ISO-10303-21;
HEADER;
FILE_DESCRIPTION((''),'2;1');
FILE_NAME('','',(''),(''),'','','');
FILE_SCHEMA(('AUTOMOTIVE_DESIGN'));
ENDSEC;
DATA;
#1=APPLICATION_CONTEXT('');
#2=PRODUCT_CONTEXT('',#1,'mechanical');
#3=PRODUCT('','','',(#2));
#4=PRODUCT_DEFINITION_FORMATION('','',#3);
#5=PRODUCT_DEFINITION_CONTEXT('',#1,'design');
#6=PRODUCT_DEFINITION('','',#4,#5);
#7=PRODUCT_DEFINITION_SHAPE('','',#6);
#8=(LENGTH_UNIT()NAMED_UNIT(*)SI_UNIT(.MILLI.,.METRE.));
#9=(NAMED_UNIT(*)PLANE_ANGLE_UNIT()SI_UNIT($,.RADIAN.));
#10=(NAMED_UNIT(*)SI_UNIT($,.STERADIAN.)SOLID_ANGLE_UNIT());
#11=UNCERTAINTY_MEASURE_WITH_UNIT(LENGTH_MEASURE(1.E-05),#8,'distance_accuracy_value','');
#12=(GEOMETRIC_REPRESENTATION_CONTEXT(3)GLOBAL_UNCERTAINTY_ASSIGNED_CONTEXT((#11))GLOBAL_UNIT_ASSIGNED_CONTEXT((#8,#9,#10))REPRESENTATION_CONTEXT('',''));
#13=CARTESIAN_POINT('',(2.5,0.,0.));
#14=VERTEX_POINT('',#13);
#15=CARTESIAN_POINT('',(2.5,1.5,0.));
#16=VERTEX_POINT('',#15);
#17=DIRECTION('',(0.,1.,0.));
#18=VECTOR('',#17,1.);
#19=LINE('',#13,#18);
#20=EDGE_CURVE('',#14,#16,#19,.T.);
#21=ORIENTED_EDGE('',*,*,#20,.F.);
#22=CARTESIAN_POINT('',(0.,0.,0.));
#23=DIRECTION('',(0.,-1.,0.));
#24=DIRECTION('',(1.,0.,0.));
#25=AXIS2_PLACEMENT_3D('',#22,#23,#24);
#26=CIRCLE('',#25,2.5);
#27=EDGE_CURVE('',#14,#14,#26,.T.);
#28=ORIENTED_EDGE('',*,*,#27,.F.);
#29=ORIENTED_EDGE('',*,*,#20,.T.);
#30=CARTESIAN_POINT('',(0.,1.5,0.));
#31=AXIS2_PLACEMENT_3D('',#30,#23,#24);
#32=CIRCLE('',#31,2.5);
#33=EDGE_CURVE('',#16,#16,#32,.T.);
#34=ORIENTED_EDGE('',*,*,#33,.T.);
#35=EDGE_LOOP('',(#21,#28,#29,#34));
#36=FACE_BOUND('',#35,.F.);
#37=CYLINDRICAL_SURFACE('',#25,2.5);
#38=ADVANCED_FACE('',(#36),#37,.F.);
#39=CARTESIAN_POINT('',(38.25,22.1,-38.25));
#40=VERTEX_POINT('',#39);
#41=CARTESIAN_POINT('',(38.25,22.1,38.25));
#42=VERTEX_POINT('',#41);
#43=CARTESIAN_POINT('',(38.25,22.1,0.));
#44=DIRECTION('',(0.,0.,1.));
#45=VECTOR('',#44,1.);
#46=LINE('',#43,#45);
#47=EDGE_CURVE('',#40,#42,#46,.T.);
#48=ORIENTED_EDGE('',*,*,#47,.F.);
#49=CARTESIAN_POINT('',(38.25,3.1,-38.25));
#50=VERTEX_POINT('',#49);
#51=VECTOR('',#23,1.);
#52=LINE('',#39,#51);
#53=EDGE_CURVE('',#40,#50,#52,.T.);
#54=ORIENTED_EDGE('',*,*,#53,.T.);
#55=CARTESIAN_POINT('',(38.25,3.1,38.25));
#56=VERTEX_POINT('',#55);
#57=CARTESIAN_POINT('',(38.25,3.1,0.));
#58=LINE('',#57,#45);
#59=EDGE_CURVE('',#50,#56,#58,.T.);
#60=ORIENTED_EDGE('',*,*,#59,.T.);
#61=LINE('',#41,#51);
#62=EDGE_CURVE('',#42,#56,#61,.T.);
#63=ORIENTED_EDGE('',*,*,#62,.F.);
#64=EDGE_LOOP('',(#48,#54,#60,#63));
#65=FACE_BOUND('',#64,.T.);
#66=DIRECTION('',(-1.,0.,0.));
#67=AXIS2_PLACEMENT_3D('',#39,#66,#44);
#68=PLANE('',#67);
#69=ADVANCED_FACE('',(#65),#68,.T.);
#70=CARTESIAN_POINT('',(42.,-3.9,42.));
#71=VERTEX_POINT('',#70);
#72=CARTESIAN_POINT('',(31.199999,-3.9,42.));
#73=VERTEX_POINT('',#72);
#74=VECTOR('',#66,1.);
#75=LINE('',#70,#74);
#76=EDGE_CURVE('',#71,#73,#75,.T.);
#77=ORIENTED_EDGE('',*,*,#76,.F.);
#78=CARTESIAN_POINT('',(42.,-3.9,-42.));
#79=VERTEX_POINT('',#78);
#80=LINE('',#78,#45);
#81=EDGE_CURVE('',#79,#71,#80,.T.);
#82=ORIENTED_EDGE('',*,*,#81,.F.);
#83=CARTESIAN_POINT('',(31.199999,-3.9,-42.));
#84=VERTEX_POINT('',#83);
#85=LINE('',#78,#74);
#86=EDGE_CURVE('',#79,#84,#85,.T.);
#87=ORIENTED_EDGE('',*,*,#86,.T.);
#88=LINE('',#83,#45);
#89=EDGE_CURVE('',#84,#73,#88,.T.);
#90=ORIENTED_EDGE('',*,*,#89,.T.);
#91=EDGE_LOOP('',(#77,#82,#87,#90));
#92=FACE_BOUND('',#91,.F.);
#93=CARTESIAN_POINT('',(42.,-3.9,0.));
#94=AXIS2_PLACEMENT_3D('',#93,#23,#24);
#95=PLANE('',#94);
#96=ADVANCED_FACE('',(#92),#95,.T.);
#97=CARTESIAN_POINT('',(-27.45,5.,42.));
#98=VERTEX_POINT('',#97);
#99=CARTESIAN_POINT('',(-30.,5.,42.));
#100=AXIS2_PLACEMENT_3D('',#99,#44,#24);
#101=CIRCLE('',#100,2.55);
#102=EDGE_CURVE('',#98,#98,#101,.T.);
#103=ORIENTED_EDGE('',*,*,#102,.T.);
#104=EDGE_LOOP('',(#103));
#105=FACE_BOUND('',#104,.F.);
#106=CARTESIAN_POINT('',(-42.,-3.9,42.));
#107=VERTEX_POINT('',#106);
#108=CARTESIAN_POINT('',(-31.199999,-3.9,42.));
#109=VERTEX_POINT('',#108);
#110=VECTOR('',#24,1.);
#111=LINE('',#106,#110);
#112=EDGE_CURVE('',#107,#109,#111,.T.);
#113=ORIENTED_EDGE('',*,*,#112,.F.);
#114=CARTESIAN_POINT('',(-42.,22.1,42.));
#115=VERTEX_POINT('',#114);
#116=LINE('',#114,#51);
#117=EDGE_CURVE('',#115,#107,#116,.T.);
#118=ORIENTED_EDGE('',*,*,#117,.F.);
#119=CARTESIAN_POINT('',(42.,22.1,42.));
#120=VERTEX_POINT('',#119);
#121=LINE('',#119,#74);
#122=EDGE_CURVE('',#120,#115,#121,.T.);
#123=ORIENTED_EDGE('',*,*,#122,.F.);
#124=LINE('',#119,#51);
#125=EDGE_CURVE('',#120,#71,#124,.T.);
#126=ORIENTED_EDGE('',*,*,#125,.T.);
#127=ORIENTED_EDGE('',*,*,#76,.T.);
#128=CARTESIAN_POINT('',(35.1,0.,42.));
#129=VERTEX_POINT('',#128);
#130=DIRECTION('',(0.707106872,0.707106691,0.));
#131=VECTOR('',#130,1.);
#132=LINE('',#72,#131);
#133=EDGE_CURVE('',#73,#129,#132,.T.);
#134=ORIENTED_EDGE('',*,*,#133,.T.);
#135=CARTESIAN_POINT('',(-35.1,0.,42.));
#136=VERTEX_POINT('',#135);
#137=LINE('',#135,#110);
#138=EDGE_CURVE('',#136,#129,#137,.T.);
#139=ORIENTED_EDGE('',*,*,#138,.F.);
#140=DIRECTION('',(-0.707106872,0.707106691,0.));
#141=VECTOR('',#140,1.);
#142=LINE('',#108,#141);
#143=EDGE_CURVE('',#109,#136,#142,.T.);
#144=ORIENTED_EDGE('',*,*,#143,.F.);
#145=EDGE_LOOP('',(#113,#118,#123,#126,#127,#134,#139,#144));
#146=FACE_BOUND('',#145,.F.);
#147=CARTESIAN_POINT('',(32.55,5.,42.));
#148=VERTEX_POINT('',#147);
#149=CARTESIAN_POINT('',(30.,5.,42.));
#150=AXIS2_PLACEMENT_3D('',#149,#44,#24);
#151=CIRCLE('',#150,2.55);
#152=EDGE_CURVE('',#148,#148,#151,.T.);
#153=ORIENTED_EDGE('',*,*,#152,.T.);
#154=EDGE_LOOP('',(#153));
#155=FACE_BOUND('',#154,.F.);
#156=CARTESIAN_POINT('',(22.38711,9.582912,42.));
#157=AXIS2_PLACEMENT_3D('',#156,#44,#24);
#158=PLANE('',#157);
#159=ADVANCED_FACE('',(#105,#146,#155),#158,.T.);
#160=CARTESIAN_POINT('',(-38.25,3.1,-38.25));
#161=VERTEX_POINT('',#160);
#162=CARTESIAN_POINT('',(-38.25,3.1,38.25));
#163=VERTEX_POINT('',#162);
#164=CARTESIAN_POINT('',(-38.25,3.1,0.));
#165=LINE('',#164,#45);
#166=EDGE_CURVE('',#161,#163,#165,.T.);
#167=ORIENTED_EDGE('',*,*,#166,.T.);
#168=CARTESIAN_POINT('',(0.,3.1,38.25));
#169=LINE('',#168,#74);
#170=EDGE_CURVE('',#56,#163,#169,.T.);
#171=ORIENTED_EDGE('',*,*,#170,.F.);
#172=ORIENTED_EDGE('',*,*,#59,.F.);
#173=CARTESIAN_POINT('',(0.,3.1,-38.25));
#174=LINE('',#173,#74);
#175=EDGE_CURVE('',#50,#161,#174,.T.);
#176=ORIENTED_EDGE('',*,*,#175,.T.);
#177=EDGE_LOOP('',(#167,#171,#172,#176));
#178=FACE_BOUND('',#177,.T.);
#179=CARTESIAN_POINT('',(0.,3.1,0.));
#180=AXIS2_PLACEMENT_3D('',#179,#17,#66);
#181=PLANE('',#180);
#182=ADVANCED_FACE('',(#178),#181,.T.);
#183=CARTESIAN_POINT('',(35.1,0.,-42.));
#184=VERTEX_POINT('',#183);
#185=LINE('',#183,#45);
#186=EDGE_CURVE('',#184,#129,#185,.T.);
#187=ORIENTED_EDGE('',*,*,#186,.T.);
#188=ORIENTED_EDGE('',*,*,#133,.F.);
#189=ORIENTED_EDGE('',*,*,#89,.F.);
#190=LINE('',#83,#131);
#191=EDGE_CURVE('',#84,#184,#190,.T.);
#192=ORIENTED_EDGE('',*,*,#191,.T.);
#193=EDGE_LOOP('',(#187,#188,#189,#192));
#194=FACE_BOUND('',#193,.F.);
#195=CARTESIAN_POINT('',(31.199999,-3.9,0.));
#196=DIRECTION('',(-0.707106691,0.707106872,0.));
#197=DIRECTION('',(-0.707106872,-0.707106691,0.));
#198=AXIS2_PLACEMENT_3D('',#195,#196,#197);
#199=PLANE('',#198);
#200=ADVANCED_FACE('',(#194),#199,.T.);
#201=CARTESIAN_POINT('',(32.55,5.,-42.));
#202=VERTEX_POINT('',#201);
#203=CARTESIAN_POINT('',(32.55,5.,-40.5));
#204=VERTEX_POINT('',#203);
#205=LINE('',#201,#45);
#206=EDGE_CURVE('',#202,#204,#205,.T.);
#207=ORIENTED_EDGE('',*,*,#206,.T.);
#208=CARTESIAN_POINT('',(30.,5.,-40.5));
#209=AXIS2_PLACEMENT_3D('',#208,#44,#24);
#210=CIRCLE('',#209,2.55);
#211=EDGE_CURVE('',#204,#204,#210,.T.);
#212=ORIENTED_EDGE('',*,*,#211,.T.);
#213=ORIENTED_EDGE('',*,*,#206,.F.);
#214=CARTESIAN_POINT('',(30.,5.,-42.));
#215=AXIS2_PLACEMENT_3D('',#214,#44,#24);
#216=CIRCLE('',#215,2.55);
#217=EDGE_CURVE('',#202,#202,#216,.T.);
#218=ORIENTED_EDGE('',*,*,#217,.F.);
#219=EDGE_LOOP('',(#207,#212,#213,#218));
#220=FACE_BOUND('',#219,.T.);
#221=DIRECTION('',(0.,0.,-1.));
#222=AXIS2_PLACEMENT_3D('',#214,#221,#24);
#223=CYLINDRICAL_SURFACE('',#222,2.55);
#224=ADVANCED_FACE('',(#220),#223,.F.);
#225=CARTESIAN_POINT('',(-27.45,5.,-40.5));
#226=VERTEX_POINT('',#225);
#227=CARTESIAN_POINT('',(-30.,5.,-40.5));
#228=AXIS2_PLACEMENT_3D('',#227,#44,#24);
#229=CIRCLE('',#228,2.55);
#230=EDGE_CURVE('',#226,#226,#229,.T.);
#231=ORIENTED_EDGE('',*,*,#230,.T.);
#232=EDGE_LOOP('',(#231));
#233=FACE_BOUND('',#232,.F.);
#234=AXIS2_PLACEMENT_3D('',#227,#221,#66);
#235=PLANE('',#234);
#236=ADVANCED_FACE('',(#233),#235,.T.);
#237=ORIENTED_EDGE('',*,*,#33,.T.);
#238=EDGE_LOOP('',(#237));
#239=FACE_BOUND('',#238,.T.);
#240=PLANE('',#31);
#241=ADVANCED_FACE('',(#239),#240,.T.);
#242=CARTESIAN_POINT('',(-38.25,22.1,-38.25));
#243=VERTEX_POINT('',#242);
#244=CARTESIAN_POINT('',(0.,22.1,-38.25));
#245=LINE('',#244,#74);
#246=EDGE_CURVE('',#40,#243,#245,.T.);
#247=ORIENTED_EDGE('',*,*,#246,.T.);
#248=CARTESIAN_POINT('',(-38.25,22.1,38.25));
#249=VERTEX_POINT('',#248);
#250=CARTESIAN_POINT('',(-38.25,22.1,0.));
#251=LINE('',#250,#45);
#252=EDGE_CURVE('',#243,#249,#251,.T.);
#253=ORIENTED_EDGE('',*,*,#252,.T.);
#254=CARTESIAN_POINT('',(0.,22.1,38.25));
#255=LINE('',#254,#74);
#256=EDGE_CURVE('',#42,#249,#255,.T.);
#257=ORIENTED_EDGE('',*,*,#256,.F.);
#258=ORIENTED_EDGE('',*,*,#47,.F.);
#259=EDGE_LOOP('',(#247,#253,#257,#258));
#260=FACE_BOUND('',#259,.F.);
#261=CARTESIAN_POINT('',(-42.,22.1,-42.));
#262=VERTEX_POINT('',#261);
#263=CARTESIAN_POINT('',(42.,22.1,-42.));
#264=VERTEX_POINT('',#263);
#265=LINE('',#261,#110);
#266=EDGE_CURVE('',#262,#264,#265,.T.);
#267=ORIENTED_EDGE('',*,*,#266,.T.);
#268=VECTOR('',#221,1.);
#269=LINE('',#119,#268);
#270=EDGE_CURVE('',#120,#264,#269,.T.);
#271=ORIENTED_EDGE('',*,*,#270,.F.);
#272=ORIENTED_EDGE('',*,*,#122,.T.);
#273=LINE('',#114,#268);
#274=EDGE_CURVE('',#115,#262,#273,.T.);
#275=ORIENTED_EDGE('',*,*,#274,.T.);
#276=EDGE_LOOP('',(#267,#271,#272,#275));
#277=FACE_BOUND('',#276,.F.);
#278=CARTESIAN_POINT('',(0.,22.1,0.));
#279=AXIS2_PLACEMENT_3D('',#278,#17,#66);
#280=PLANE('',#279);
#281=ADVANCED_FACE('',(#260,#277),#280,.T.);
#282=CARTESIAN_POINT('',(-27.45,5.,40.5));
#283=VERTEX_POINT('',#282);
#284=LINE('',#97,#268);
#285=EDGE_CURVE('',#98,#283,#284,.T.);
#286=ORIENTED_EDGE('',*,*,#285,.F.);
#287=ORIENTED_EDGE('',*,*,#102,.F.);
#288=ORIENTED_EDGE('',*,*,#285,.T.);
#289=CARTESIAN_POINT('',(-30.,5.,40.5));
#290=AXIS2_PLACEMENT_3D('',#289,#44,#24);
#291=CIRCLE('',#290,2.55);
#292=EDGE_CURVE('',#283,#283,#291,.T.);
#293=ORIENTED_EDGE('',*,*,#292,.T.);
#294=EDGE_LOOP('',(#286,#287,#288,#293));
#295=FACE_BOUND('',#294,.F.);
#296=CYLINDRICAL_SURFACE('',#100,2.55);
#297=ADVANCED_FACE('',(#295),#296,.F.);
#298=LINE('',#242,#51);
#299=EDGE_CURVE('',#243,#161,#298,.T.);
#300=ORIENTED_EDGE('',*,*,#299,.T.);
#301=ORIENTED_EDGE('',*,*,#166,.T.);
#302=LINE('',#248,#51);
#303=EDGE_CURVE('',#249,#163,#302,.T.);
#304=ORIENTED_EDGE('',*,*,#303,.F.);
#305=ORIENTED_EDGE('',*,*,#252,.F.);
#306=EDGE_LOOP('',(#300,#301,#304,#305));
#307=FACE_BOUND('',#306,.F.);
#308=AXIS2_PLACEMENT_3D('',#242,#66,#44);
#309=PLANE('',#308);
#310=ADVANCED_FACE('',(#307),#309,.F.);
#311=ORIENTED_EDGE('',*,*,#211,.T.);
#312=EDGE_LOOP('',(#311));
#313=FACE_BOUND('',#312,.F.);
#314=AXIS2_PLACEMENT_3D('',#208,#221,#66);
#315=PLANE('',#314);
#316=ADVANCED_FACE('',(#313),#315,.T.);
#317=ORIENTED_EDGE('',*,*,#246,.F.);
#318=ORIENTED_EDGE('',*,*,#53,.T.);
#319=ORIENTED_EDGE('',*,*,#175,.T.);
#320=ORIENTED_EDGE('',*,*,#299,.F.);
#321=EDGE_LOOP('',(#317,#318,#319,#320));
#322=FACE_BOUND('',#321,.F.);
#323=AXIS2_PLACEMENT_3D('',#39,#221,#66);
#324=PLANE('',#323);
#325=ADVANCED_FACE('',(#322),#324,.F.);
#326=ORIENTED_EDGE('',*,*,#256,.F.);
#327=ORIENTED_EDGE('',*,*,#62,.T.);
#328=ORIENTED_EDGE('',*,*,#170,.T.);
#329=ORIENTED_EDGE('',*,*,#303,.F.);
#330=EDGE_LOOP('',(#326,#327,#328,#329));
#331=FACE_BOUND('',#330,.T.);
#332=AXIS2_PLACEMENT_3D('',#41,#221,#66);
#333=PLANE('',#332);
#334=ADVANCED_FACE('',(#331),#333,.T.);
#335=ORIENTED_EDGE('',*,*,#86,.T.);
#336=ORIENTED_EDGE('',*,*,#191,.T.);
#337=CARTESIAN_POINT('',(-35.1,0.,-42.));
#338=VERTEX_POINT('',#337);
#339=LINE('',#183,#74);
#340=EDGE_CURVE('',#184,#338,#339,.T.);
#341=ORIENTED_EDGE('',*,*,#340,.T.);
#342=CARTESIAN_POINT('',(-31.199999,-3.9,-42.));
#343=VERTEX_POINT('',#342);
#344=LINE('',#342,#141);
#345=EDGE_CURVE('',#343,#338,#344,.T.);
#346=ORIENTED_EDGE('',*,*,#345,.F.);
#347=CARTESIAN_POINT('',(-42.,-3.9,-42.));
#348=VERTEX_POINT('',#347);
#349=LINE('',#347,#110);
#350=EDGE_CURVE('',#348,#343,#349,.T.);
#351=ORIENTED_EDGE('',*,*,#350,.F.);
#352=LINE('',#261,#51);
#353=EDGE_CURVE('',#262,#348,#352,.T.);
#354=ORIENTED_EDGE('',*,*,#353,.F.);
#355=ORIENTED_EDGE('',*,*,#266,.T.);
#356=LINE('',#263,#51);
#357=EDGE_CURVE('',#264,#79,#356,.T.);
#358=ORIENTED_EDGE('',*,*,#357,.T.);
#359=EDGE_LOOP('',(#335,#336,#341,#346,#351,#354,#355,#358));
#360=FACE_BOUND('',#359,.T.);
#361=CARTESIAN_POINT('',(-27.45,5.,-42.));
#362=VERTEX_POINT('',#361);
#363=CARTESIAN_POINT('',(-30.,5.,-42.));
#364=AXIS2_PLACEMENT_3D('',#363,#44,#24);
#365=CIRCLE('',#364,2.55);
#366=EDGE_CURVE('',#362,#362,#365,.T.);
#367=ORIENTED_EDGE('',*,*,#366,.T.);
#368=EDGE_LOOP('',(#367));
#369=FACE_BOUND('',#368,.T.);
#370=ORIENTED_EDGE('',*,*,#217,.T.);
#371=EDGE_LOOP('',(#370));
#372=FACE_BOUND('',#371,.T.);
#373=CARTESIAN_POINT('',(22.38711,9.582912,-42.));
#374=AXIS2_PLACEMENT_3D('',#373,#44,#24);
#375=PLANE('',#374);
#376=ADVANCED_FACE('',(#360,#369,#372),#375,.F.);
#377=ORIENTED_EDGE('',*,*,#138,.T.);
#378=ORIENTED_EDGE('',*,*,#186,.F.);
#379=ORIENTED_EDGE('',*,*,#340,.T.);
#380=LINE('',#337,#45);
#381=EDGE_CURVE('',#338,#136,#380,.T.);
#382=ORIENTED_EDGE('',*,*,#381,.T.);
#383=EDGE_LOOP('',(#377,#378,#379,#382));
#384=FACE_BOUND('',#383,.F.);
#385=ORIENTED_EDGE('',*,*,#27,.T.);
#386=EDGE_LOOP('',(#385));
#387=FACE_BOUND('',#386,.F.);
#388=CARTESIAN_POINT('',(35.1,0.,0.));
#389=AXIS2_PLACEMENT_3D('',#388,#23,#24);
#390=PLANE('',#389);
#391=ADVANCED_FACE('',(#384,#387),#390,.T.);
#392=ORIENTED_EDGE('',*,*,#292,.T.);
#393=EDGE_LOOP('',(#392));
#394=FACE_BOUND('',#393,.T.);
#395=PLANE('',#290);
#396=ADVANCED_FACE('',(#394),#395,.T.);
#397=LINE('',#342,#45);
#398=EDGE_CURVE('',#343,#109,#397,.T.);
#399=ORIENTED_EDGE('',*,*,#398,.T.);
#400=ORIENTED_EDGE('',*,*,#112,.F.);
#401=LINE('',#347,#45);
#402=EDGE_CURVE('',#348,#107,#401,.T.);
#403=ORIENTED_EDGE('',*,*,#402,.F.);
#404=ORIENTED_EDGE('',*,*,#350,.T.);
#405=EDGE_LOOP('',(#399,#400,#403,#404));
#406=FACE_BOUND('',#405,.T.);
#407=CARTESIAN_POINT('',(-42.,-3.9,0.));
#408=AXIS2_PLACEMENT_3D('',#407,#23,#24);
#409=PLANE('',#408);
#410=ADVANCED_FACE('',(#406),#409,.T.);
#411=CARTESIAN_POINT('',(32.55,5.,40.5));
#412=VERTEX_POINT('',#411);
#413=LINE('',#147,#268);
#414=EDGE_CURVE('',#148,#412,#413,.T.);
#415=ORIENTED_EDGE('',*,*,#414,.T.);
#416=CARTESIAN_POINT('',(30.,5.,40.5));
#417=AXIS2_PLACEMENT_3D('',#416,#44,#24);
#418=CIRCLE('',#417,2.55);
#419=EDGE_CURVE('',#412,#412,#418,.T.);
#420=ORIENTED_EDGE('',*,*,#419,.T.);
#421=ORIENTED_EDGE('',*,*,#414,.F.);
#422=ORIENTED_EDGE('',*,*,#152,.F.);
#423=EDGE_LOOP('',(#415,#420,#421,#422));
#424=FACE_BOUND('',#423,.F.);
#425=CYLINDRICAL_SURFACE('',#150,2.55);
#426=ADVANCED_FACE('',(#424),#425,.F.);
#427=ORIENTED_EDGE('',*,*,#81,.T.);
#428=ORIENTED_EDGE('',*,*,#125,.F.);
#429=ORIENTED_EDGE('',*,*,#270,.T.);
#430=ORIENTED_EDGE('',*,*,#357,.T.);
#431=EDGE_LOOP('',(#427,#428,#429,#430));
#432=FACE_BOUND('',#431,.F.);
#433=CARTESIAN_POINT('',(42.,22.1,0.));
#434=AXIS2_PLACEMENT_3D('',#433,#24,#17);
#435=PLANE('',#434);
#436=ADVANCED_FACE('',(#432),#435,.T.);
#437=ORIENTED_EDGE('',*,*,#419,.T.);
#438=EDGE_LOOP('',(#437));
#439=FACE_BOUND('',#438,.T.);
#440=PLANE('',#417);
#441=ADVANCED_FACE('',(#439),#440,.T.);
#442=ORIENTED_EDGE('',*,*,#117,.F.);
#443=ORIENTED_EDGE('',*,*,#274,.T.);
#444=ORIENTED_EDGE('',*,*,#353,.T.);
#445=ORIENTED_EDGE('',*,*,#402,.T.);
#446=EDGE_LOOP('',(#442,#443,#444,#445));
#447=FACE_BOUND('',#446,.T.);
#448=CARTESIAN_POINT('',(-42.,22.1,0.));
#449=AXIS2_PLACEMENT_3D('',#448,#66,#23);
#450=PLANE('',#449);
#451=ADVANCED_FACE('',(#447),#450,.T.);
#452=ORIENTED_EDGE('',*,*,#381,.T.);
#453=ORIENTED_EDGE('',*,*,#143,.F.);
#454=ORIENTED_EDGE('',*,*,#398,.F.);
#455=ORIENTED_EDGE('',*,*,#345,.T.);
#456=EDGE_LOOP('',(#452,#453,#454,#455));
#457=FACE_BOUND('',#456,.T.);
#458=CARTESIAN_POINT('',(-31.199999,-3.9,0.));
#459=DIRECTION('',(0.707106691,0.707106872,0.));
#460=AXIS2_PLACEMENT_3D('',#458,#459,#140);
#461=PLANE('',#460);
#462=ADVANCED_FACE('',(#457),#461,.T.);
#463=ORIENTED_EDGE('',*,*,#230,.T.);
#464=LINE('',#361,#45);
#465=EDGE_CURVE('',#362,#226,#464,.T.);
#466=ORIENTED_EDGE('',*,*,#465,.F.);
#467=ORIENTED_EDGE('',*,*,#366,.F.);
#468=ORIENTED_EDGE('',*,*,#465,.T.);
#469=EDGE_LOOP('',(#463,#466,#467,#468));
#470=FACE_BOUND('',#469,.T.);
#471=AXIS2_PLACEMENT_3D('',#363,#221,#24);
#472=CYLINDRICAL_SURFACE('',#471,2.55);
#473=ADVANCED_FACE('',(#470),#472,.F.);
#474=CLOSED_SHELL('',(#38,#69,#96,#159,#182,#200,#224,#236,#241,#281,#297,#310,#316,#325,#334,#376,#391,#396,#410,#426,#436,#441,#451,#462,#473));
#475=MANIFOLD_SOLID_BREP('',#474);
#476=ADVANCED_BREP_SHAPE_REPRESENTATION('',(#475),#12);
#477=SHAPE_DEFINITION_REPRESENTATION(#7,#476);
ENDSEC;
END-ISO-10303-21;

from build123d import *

# Parameters (mm, degrees)
PAD_DEPTH       = 42
SKETCH001_R     = 2.5
POCKET_DEPTH    = 1.5
SKETCH002_W     = 76.5
SKETCH002_H     = 76.5
POCKET001_DEPTH = 19
SKETCH003_R     = 2.55
POCKET002_DEPTH = 1.5


with BuildPart() as part:
    # Sketch (on XY_Plane of Origin) → Pad (new body, symmetric)
    with BuildSketch(Plane.XY):
        Polygon((-42, 22.1), (-42, -3.9), (-31.199999, -3.9), (-35.1, 0), (0, 0), (0, 22.1), align=None)
    extrude(amount=PAD_DEPTH, both=True)

    # Mirrored: part across YZ


with BuildPart() as part_1:
    add(part.part)
    add(part.part.mirror(Plane.YZ))

    # Sketch001 (on Face10 of Mirrored) → Pocket (cut)
    with BuildSketch(Plane.XZ):
        Circle(SKETCH001_R)
    extrude(amount=-POCKET_DEPTH, mode=Mode.SUBTRACT)

    # Sketch002 (on Face2 of Pocket) → Pocket001 (cut)
    with BuildSketch(Plane(origin=(0, 22.1, 0), x_dir=(-1, 0, 0), z_dir=(0, 1, 0))):
        Rectangle(SKETCH002_W, SKETCH002_H)
    extrude(amount=-POCKET001_DEPTH, mode=Mode.SUBTRACT)

    # Sketch003 (on Face5 of Pocket001) → Pocket002 (cut)
    with BuildSketch(Plane.XY.offset(42)):
        with Locations((-30, 5)):
            Circle(SKETCH003_R)
        with Locations((30, 5)):
            Circle(SKETCH003_R)
    pocket002 = extrude(amount=-POCKET002_DEPTH, mode=Mode.SUBTRACT)

    # Mirrored001: Pocket002 across XY
    add(pocket002.mirror(Plane.XY), mode=Mode.SUBTRACT)


solid = part_1.part
